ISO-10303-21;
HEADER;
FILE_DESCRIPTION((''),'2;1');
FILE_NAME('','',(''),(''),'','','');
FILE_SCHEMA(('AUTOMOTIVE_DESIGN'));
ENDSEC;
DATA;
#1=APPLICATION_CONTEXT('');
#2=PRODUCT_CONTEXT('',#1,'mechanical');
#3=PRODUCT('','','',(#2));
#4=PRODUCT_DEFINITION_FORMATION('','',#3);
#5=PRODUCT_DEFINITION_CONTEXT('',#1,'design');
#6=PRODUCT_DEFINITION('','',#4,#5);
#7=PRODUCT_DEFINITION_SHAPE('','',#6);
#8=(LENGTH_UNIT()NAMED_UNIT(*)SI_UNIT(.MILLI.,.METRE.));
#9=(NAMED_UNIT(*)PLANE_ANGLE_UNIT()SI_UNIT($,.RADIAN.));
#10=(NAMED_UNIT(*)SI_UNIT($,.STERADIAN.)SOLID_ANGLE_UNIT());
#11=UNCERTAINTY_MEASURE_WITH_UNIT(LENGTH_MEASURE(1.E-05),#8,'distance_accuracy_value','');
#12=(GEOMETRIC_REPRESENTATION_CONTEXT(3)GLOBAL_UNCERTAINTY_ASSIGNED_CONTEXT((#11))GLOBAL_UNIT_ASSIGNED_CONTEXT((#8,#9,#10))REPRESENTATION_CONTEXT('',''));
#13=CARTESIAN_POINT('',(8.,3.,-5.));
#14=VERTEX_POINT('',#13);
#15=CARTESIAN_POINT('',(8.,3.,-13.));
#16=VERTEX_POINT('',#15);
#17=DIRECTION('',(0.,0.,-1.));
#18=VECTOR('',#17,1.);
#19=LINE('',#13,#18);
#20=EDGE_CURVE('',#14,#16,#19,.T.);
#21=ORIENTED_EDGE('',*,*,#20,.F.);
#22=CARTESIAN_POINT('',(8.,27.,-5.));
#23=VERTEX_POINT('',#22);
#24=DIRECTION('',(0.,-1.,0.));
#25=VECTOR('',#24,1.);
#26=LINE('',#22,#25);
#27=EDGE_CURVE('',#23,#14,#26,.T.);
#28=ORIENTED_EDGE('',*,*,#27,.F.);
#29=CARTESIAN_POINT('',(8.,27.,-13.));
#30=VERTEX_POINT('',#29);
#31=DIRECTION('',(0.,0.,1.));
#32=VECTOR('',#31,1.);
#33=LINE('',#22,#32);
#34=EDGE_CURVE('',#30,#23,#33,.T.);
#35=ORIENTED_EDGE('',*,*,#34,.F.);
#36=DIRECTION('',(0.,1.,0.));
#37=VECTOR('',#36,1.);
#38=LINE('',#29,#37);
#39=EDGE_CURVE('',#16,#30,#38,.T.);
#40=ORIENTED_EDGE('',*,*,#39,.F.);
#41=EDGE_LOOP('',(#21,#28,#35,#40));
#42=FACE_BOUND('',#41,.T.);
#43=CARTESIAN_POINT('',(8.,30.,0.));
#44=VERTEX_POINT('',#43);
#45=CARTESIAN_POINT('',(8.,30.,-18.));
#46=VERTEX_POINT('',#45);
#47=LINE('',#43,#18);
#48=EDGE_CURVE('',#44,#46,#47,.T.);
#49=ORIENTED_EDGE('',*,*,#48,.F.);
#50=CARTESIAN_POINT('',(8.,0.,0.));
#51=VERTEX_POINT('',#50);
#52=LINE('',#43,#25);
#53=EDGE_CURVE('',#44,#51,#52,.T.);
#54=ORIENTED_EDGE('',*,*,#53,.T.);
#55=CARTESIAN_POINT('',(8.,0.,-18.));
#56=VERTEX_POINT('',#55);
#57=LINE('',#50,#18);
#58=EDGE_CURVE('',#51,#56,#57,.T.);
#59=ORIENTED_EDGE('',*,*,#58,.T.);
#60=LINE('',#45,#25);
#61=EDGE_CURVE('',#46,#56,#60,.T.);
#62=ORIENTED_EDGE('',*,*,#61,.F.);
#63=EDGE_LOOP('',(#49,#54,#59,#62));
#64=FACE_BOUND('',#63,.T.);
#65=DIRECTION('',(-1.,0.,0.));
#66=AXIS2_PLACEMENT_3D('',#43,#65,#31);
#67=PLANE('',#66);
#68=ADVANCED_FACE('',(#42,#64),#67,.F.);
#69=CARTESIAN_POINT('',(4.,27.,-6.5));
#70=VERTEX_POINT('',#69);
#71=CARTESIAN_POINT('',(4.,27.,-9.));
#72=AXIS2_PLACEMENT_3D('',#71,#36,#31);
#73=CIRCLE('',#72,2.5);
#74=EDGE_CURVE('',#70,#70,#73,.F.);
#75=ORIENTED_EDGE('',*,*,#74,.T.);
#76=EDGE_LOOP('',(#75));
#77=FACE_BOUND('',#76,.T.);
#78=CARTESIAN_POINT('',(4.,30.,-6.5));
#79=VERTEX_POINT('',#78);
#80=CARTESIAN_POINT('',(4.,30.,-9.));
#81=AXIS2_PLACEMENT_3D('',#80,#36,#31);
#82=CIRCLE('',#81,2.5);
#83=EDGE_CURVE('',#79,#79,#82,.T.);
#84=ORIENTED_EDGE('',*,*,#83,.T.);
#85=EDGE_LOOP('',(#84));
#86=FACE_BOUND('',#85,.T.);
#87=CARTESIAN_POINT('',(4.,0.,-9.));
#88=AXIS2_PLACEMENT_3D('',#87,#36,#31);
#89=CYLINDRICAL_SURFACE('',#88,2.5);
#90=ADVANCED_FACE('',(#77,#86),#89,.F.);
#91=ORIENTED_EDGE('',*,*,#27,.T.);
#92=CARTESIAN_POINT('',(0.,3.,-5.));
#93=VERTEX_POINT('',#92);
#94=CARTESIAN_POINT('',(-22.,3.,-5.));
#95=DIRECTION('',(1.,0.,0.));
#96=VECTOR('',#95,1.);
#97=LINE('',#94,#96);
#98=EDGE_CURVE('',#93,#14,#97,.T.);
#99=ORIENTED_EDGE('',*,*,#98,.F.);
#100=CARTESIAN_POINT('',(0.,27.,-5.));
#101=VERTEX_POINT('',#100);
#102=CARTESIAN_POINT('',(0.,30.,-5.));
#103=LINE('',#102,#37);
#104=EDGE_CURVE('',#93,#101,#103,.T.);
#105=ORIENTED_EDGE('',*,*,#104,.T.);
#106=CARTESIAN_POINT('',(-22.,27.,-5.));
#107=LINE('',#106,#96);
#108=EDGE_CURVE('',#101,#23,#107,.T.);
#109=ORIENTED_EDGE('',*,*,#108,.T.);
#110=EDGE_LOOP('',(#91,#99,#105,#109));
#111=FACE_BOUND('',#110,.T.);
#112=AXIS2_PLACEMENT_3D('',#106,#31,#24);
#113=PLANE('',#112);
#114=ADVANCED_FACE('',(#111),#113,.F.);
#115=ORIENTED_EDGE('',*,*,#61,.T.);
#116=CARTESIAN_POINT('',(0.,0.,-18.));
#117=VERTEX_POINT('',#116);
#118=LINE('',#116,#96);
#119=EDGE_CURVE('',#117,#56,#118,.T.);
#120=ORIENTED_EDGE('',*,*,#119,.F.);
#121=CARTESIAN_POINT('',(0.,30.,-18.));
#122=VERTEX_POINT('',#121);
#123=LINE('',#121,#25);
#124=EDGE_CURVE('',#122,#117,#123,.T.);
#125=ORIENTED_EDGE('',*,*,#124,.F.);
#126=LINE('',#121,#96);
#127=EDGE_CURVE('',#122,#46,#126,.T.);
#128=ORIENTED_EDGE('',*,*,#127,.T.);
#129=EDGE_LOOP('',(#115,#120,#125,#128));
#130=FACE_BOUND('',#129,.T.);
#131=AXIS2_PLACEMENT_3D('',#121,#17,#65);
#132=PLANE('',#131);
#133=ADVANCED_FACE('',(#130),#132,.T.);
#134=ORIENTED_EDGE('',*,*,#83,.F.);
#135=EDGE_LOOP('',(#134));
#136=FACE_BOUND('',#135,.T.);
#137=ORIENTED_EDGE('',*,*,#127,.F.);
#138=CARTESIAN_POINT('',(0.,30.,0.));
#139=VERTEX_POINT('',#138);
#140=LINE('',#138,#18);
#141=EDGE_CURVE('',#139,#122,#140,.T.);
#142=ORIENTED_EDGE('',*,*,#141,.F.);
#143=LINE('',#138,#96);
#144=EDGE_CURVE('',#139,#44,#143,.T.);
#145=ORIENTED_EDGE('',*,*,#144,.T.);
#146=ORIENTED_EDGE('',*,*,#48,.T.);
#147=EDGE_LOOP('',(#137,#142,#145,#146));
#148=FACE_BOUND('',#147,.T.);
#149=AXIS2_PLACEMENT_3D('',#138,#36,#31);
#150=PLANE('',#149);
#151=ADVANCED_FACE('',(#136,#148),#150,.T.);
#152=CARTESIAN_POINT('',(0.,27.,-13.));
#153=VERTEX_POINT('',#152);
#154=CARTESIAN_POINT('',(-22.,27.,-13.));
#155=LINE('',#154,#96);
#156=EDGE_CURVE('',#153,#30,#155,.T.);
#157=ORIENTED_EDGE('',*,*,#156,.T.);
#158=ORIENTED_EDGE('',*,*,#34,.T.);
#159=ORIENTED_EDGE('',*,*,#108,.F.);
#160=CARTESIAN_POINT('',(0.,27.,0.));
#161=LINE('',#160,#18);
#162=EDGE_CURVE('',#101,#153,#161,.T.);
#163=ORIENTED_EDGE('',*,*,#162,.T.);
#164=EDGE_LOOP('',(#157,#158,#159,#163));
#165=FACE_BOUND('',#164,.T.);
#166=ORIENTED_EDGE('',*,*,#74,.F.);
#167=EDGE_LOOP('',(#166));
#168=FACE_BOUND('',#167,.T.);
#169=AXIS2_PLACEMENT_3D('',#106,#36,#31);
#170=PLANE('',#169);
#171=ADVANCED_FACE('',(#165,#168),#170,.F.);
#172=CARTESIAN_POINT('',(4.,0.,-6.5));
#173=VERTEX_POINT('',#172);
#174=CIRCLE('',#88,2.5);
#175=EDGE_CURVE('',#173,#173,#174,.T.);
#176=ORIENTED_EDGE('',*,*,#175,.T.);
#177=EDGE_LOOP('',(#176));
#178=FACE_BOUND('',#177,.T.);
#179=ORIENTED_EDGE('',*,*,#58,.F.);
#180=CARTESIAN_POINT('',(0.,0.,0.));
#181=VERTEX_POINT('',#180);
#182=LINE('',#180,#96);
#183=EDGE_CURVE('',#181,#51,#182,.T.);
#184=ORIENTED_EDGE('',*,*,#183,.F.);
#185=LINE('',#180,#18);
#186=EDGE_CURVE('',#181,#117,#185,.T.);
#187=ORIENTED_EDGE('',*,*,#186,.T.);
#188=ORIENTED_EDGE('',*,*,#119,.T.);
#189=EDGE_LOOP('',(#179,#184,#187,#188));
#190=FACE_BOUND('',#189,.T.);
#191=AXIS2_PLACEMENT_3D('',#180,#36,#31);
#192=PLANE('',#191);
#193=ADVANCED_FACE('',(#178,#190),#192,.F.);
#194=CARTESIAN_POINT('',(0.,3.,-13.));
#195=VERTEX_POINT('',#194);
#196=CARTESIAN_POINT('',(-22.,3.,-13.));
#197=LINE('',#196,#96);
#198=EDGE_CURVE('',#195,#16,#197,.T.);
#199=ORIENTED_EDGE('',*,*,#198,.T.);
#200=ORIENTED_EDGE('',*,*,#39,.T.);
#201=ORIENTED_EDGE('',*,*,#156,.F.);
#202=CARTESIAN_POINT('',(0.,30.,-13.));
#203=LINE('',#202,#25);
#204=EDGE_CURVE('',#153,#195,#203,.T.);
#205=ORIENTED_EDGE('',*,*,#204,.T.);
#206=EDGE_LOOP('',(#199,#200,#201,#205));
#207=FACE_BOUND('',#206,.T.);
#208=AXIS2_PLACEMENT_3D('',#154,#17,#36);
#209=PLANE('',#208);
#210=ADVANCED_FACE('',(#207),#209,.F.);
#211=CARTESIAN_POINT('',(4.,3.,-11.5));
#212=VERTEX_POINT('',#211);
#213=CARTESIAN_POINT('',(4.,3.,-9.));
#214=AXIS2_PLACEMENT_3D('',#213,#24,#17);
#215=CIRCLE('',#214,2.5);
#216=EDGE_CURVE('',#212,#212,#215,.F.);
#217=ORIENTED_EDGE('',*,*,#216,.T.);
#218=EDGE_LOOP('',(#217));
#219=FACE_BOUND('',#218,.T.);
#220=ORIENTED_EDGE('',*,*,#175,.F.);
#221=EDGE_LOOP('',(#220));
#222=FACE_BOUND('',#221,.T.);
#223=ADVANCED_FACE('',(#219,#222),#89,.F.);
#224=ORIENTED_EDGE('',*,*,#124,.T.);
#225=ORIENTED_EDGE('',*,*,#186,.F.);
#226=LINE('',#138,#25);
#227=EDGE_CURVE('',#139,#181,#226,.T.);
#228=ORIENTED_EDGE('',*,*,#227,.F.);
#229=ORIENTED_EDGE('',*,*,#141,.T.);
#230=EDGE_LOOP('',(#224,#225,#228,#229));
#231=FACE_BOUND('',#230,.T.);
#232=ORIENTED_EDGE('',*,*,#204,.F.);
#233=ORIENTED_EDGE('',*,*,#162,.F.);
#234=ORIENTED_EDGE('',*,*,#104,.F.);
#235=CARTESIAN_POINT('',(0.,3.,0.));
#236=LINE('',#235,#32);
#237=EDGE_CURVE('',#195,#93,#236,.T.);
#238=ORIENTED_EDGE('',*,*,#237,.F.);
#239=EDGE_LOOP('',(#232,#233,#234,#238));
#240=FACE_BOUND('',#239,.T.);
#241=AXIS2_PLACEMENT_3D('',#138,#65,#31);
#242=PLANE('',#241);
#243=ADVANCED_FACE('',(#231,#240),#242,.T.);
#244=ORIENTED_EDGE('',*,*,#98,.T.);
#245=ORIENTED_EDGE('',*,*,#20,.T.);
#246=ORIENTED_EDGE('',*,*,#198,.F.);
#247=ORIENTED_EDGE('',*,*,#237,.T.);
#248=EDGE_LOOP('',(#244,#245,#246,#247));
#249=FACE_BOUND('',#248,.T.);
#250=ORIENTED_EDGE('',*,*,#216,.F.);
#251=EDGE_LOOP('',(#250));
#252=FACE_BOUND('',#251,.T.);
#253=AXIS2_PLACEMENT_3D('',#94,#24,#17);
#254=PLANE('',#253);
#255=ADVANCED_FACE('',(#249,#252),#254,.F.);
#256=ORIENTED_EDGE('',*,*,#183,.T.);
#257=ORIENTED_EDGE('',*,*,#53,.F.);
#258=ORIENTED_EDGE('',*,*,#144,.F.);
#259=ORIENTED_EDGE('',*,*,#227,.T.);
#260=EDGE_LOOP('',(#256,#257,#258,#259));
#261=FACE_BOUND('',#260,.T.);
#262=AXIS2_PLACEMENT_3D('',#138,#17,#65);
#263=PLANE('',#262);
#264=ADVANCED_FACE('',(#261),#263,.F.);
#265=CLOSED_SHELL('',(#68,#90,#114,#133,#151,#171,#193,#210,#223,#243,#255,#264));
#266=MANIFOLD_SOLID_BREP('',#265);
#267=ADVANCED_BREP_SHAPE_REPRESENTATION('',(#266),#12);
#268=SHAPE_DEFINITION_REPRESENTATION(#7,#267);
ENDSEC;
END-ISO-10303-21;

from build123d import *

# Parameters (mm, degrees)
SKETCH2_W           = 8
SKETCH2_H           = 18
BOSS_EXTRUDE1_DEPTH = 30
SKETCH3_R           = 2.5
CUT_EXTRUDE1_DEPTH  = 30
SKETCH5_W           = 8
SKETCH5_H           = 24
CUT_EXTRUDE2_DEPTH  = 30


with BuildPart() as part:
    # Sketch2 → Boss-Extrude1 (new body)
    with BuildSketch(Plane(origin=(0, 0, 0), x_dir=(1, 0, 0), z_dir=(0, 1, 0))):
        with Locations((4, 9)):
            Rectangle(SKETCH2_W, SKETCH2_H)
    extrude(amount=BOSS_EXTRUDE1_DEPTH)

    # Sketch3 → Cut-Extrude1 (cut)
    with BuildSketch(Plane(origin=(0, 30, 0), x_dir=(1, 0, 0), z_dir=(0, 1, 0))):
        with Locations(Location((4, 9, 0), (0, 0, 270))):
            Circle(SKETCH3_R)
    extrude(amount=-CUT_EXTRUDE1_DEPTH, mode=Mode.SUBTRACT)

    # Sketch5 → Cut-Extrude2 (cut)
    with BuildSketch(Plane(origin=(8, 0, 0), x_dir=(0, 0, -1), z_dir=(1, 0, 0))):
        with Locations((9, 15)):
            Rectangle(SKETCH5_W, SKETCH5_H)
    extrude(amount=-CUT_EXTRUDE2_DEPTH, mode=Mode.SUBTRACT)


solid = part.part
